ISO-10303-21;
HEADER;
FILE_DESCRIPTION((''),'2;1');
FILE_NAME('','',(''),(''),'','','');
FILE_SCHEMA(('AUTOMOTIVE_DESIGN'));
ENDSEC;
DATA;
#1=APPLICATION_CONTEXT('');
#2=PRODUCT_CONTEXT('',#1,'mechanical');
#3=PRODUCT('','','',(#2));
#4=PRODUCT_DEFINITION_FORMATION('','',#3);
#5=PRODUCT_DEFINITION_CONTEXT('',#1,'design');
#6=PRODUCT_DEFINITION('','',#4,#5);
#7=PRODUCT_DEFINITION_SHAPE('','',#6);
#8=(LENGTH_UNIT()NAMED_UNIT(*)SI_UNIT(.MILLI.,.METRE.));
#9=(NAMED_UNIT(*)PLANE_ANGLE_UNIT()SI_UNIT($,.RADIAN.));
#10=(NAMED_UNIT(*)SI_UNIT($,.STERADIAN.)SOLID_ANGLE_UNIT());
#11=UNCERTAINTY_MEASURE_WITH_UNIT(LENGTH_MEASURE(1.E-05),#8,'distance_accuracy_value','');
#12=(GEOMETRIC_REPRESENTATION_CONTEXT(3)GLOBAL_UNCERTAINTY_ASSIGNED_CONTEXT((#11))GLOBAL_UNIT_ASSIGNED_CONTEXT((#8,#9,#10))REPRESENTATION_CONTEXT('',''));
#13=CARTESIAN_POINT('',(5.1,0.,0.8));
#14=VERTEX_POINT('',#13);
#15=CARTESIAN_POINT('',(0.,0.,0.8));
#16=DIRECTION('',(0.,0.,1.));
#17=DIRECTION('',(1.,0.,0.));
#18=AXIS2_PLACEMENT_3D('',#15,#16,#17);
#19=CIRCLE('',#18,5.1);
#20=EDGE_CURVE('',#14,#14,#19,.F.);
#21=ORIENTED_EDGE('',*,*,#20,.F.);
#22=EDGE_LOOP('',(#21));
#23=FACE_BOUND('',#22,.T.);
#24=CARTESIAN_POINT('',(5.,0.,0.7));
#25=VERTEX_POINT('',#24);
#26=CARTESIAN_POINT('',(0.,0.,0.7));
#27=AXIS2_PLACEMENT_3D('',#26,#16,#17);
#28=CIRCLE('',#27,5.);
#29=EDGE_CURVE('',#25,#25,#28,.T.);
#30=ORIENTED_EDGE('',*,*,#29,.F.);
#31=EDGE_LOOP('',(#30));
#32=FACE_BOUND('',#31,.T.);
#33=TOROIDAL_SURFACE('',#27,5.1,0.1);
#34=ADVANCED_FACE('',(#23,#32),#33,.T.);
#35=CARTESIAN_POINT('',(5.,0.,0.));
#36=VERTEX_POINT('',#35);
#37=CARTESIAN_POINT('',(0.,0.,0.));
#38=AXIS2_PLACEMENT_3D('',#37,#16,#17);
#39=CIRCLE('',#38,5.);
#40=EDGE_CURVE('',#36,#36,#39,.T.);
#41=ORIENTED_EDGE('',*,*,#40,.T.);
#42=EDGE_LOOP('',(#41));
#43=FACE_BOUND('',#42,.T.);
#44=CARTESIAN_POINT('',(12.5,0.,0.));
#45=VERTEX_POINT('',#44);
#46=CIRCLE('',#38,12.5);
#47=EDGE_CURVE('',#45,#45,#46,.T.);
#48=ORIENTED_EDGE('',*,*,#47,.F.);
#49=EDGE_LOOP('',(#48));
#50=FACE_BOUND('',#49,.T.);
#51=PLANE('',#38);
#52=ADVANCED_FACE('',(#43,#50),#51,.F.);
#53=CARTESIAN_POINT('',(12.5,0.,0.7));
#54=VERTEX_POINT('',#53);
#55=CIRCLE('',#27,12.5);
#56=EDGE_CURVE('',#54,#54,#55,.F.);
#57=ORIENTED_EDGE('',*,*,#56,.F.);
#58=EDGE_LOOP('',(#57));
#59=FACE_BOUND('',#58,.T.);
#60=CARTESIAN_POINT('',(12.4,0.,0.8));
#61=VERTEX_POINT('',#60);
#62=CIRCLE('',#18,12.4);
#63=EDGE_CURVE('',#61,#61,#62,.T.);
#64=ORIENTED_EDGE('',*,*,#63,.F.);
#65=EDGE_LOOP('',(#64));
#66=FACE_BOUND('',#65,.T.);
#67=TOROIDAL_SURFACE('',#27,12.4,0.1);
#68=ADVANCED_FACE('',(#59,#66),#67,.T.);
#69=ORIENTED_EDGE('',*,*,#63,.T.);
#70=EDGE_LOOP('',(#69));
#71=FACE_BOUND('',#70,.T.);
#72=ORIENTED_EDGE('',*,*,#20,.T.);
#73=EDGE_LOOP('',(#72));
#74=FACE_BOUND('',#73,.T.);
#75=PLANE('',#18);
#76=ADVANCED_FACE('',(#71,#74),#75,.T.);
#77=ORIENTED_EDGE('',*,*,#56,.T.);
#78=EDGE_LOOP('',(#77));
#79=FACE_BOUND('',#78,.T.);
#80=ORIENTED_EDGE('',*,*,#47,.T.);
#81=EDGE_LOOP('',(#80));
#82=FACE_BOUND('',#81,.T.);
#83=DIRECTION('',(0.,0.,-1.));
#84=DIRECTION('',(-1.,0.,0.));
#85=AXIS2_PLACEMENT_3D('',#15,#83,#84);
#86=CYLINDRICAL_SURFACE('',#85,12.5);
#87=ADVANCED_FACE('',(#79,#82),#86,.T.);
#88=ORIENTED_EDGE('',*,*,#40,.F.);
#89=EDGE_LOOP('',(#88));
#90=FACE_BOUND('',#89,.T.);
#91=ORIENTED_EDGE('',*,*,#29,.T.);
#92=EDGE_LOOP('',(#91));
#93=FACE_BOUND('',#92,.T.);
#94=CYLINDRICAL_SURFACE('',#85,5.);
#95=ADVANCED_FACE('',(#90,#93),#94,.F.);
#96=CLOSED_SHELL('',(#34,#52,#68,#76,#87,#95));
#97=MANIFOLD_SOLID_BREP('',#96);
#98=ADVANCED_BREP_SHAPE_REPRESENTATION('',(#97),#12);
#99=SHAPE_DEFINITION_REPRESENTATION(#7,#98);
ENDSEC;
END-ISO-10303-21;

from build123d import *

# Parameters (mm, degrees)
SKETCH1_R           = 12.5
SKETCH1_R_2         = 5
BOSS_EXTRUDE1_DEPTH = 0.8
FILLET1_R           = 0.1


with BuildPart() as part:
    # Sketch1 → Boss-Extrude1 (new body)
    with BuildSketch(Plane.XY):
        Circle(SKETCH1_R)
        Circle(SKETCH1_R_2, mode=Mode.SUBTRACT)
    extrude(amount=BOSS_EXTRUDE1_DEPTH)

    # Fillet1
    fillet1_edges = [part.edges().sort_by_distance(p)[0] for p in [
        (-12.5, 0, 0.8),
        (-5, 0, 0.8),
    ]]
    fillet(fillet1_edges, radius=FILLET1_R)


solid = part.part
